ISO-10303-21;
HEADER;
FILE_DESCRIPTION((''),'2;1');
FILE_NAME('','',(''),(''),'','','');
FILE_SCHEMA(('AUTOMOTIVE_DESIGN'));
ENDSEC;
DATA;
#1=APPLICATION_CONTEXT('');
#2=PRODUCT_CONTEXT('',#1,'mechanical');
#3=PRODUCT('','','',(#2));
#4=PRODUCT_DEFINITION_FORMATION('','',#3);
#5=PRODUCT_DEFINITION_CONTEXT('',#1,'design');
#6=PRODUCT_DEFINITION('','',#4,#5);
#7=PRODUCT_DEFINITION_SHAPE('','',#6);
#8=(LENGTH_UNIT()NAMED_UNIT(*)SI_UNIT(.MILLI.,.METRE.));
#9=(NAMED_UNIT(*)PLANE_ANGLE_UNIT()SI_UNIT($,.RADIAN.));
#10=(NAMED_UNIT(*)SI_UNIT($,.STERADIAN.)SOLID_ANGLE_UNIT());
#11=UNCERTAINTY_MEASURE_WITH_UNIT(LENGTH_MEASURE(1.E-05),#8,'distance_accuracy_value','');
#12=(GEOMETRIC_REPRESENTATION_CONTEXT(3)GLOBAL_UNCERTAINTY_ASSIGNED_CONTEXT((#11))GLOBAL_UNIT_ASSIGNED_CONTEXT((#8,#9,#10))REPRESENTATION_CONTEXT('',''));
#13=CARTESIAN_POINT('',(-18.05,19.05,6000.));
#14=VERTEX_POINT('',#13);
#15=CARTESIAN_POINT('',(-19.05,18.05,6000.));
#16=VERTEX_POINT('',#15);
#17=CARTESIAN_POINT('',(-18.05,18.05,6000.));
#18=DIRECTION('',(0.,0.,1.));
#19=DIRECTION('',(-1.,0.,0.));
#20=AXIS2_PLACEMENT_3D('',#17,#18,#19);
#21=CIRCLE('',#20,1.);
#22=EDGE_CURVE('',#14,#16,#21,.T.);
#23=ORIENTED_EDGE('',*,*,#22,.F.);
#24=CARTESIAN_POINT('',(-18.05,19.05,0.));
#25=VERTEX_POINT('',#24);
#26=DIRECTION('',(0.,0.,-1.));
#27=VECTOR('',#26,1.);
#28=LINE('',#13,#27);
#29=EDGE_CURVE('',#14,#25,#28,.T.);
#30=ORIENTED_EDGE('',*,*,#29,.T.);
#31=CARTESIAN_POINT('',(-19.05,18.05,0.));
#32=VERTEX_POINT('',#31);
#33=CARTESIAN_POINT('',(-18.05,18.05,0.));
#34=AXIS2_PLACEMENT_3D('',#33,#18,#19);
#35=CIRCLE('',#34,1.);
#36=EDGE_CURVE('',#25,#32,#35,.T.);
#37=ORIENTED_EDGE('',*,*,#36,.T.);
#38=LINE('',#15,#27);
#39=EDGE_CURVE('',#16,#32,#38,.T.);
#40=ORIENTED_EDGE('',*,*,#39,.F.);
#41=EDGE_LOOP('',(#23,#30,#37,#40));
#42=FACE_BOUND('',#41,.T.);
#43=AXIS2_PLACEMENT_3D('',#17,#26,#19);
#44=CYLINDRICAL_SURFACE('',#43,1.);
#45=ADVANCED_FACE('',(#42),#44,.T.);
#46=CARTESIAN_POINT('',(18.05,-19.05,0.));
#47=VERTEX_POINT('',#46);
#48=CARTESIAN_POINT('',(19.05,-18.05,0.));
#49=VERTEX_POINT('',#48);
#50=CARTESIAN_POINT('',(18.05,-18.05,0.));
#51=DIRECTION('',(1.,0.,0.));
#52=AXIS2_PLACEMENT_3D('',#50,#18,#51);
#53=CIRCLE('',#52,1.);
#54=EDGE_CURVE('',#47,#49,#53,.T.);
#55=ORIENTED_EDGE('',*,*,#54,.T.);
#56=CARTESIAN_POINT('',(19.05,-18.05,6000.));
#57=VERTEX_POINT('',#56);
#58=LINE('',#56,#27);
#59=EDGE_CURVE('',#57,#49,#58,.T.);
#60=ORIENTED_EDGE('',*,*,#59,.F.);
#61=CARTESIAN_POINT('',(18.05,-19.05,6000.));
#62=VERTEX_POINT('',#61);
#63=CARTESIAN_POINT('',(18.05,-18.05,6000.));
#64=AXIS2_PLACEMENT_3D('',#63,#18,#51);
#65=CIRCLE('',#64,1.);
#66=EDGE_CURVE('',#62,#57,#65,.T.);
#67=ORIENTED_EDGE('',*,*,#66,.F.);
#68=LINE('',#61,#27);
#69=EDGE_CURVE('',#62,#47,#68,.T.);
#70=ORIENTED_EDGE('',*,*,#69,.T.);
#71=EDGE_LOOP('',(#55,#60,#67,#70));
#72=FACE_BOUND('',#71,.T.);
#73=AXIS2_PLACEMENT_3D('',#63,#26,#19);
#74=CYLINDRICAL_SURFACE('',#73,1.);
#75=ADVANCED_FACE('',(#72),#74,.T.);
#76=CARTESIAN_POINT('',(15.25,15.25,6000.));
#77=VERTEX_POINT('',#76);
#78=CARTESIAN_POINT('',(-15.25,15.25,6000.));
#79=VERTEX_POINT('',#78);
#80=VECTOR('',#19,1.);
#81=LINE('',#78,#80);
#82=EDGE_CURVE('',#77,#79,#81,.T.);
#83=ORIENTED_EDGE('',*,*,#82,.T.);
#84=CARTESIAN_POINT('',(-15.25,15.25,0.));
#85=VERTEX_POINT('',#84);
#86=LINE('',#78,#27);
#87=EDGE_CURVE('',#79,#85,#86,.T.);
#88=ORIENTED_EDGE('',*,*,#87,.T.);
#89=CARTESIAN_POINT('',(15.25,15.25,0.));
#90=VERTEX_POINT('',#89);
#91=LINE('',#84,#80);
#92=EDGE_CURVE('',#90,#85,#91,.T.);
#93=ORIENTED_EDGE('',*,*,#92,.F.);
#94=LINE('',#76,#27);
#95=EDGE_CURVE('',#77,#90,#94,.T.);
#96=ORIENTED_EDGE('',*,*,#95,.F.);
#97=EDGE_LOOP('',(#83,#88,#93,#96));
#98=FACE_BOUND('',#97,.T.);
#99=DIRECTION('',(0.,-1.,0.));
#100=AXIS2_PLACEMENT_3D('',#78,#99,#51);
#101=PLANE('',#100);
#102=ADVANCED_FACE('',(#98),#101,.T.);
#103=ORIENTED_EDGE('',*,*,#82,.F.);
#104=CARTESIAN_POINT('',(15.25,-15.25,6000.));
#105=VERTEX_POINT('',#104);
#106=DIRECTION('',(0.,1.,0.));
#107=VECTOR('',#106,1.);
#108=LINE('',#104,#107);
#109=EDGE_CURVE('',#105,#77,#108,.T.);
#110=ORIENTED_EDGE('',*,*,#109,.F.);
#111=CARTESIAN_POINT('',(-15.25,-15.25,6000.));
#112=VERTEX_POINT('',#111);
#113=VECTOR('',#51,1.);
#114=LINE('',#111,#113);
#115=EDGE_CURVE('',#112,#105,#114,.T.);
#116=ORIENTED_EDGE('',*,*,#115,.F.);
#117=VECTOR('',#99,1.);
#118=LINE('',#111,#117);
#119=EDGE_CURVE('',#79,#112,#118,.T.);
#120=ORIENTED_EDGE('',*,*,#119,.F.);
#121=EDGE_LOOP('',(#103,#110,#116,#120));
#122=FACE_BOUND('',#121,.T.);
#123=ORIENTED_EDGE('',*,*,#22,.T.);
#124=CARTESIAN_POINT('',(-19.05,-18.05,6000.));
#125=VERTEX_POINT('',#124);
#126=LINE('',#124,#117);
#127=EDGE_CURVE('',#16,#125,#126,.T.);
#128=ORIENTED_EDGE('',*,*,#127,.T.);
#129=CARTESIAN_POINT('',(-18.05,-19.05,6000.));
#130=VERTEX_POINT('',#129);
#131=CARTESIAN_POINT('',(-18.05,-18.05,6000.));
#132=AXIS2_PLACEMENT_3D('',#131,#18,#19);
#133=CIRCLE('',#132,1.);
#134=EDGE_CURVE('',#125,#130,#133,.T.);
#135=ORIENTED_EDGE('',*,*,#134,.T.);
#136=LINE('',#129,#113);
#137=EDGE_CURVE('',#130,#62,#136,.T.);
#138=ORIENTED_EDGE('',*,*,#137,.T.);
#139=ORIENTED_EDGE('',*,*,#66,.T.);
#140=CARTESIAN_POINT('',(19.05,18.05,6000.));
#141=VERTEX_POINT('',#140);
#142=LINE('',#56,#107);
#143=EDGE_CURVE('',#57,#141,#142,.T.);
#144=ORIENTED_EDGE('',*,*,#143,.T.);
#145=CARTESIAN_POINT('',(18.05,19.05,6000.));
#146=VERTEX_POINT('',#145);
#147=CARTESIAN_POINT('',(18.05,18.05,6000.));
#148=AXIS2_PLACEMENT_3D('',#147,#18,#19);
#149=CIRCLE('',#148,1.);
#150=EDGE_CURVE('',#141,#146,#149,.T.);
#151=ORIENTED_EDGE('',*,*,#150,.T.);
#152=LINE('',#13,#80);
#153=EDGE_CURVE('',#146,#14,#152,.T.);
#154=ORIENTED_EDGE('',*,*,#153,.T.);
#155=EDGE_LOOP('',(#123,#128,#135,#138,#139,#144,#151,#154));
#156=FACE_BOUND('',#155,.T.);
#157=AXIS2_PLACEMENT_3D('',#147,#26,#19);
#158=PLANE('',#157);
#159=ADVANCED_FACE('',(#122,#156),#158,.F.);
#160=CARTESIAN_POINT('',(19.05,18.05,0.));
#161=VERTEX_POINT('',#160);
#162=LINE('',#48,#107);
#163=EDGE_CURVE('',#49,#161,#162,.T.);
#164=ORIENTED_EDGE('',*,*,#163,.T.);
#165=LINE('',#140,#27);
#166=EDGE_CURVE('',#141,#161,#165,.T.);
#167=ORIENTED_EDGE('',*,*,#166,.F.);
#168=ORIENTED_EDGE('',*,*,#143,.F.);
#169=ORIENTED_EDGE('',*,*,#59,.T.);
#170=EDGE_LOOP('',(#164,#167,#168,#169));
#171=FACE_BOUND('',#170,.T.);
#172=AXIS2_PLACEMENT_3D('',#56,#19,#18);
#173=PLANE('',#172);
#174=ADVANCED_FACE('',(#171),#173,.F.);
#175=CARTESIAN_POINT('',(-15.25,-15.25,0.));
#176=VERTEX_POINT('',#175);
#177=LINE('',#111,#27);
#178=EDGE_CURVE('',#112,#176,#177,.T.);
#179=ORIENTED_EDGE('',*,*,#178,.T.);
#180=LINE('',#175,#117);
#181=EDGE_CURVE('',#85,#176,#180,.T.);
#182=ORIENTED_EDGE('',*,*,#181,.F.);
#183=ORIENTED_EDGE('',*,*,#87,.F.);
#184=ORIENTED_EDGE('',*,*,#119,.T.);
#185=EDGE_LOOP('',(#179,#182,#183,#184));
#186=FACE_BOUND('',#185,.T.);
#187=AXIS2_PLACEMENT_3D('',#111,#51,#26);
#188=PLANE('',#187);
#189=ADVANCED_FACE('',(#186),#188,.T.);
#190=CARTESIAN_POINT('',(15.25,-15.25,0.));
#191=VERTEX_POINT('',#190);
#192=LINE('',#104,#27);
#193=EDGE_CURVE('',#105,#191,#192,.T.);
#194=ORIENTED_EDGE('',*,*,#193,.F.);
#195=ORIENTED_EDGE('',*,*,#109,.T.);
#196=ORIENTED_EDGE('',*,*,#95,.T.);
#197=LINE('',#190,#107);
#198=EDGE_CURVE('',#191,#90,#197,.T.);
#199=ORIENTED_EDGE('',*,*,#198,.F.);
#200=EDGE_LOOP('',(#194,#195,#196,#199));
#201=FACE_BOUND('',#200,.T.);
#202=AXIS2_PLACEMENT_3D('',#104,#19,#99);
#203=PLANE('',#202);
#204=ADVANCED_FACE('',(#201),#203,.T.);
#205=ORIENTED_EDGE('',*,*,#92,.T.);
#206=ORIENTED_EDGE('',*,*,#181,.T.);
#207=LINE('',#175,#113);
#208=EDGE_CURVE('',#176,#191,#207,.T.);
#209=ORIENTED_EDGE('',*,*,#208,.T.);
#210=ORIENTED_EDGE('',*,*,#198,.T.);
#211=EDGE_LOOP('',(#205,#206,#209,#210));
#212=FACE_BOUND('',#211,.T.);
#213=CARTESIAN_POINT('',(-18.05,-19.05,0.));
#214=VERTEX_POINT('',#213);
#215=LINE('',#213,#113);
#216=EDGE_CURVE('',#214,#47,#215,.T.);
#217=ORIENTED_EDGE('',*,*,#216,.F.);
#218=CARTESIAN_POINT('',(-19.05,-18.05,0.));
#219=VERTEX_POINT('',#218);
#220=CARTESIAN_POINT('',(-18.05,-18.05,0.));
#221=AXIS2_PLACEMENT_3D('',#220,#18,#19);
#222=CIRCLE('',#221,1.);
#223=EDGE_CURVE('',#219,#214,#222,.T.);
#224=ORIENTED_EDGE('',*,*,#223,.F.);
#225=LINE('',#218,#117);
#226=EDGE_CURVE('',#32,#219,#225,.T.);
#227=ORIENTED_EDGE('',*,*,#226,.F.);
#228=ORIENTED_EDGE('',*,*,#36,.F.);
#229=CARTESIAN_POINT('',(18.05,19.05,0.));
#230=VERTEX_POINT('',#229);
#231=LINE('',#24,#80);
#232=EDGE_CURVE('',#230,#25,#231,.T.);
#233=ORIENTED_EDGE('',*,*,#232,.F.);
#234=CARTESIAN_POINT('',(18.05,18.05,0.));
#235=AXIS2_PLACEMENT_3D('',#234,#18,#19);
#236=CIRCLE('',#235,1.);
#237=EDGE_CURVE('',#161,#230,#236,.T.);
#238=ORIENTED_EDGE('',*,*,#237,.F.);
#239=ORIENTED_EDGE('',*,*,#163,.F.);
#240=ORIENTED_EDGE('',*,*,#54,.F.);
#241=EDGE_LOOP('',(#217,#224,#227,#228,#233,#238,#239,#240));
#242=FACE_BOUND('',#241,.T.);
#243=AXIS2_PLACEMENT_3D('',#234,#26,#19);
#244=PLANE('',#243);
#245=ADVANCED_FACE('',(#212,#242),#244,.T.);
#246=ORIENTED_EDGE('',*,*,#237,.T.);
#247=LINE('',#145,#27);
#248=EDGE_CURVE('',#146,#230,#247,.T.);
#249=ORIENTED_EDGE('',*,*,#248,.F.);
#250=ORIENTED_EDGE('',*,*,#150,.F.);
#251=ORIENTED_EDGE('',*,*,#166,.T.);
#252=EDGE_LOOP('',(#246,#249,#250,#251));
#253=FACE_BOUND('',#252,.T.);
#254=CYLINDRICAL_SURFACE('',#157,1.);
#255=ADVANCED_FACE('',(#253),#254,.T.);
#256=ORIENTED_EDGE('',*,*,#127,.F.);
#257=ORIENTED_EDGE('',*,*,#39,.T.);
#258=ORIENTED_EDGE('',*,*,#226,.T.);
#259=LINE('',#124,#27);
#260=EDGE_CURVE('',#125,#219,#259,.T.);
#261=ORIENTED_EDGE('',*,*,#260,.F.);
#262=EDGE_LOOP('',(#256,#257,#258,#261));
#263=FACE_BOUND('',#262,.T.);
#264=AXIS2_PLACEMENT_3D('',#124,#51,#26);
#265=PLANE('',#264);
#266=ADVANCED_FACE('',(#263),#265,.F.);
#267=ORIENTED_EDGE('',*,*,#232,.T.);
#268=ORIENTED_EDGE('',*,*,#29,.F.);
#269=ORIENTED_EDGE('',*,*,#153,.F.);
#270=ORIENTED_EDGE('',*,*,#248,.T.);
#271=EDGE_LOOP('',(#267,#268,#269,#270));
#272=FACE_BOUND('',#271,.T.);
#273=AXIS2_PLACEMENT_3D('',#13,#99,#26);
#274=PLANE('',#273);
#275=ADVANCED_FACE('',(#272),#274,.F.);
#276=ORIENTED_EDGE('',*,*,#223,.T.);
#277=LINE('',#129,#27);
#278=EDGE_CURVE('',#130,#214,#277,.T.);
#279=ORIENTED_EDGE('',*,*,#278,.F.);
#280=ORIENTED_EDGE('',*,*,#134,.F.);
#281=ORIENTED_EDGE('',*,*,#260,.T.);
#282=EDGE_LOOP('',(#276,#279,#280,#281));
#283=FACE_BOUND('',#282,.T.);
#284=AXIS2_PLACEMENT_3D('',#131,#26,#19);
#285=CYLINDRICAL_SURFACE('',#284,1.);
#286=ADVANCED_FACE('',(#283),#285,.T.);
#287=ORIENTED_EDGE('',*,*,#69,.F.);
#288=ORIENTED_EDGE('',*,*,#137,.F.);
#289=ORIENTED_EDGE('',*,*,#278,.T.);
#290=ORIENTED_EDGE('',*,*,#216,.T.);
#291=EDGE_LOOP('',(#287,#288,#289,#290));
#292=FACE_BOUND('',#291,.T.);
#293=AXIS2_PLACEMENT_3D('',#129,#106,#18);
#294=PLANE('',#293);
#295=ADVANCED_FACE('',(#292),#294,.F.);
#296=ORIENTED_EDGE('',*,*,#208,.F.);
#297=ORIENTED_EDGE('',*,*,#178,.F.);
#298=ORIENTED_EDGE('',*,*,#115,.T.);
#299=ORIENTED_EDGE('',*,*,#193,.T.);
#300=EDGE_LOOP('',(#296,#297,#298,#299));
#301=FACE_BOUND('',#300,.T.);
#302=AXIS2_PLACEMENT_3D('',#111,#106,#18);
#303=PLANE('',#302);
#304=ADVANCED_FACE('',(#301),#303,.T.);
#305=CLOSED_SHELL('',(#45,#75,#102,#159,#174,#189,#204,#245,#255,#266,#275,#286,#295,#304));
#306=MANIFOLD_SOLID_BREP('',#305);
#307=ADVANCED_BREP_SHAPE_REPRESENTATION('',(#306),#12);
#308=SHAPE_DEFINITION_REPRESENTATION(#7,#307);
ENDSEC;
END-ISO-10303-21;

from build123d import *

# Parameters (mm, degrees)
CROQUIS1_W              = 30.5
CROQUIS1_H              = 30.5
SALIENTE_EXTRUIR1_DEPTH = 6000


with BuildPart() as part:
    # Croquis1 → Saliente-Extruir1 (new body)
    with BuildSketch(Plane.XY):
        with BuildLine():
            Line((-18.05, -19.05), (18.05, -19.05))
            ThreePointArc((18.05, -19.05), (18.757106781, -18.757106781), (19.05, -18.05))
            Line((19.05, -18.05), (19.05, 18.05))
            ThreePointArc((19.05, 18.05), (18.757106781, 18.757106781), (18.05, 19.05))
            Line((18.05, 19.05), (-18.05, 19.05))
            ThreePointArc((-18.05, 19.05), (-18.757106781, 18.757106781), (-19.05, 18.05))
            Line((-19.05, 18.05), (-19.05, -18.05))
            ThreePointArc((-19.05, -18.05), (-18.757106781, -18.757106781), (-18.05, -19.05))
        make_face()
        Rectangle(CROQUIS1_W, CROQUIS1_H, mode=Mode.SUBTRACT)
    extrude(amount=SALIENTE_EXTRUIR1_DEPTH)


solid = part.part
